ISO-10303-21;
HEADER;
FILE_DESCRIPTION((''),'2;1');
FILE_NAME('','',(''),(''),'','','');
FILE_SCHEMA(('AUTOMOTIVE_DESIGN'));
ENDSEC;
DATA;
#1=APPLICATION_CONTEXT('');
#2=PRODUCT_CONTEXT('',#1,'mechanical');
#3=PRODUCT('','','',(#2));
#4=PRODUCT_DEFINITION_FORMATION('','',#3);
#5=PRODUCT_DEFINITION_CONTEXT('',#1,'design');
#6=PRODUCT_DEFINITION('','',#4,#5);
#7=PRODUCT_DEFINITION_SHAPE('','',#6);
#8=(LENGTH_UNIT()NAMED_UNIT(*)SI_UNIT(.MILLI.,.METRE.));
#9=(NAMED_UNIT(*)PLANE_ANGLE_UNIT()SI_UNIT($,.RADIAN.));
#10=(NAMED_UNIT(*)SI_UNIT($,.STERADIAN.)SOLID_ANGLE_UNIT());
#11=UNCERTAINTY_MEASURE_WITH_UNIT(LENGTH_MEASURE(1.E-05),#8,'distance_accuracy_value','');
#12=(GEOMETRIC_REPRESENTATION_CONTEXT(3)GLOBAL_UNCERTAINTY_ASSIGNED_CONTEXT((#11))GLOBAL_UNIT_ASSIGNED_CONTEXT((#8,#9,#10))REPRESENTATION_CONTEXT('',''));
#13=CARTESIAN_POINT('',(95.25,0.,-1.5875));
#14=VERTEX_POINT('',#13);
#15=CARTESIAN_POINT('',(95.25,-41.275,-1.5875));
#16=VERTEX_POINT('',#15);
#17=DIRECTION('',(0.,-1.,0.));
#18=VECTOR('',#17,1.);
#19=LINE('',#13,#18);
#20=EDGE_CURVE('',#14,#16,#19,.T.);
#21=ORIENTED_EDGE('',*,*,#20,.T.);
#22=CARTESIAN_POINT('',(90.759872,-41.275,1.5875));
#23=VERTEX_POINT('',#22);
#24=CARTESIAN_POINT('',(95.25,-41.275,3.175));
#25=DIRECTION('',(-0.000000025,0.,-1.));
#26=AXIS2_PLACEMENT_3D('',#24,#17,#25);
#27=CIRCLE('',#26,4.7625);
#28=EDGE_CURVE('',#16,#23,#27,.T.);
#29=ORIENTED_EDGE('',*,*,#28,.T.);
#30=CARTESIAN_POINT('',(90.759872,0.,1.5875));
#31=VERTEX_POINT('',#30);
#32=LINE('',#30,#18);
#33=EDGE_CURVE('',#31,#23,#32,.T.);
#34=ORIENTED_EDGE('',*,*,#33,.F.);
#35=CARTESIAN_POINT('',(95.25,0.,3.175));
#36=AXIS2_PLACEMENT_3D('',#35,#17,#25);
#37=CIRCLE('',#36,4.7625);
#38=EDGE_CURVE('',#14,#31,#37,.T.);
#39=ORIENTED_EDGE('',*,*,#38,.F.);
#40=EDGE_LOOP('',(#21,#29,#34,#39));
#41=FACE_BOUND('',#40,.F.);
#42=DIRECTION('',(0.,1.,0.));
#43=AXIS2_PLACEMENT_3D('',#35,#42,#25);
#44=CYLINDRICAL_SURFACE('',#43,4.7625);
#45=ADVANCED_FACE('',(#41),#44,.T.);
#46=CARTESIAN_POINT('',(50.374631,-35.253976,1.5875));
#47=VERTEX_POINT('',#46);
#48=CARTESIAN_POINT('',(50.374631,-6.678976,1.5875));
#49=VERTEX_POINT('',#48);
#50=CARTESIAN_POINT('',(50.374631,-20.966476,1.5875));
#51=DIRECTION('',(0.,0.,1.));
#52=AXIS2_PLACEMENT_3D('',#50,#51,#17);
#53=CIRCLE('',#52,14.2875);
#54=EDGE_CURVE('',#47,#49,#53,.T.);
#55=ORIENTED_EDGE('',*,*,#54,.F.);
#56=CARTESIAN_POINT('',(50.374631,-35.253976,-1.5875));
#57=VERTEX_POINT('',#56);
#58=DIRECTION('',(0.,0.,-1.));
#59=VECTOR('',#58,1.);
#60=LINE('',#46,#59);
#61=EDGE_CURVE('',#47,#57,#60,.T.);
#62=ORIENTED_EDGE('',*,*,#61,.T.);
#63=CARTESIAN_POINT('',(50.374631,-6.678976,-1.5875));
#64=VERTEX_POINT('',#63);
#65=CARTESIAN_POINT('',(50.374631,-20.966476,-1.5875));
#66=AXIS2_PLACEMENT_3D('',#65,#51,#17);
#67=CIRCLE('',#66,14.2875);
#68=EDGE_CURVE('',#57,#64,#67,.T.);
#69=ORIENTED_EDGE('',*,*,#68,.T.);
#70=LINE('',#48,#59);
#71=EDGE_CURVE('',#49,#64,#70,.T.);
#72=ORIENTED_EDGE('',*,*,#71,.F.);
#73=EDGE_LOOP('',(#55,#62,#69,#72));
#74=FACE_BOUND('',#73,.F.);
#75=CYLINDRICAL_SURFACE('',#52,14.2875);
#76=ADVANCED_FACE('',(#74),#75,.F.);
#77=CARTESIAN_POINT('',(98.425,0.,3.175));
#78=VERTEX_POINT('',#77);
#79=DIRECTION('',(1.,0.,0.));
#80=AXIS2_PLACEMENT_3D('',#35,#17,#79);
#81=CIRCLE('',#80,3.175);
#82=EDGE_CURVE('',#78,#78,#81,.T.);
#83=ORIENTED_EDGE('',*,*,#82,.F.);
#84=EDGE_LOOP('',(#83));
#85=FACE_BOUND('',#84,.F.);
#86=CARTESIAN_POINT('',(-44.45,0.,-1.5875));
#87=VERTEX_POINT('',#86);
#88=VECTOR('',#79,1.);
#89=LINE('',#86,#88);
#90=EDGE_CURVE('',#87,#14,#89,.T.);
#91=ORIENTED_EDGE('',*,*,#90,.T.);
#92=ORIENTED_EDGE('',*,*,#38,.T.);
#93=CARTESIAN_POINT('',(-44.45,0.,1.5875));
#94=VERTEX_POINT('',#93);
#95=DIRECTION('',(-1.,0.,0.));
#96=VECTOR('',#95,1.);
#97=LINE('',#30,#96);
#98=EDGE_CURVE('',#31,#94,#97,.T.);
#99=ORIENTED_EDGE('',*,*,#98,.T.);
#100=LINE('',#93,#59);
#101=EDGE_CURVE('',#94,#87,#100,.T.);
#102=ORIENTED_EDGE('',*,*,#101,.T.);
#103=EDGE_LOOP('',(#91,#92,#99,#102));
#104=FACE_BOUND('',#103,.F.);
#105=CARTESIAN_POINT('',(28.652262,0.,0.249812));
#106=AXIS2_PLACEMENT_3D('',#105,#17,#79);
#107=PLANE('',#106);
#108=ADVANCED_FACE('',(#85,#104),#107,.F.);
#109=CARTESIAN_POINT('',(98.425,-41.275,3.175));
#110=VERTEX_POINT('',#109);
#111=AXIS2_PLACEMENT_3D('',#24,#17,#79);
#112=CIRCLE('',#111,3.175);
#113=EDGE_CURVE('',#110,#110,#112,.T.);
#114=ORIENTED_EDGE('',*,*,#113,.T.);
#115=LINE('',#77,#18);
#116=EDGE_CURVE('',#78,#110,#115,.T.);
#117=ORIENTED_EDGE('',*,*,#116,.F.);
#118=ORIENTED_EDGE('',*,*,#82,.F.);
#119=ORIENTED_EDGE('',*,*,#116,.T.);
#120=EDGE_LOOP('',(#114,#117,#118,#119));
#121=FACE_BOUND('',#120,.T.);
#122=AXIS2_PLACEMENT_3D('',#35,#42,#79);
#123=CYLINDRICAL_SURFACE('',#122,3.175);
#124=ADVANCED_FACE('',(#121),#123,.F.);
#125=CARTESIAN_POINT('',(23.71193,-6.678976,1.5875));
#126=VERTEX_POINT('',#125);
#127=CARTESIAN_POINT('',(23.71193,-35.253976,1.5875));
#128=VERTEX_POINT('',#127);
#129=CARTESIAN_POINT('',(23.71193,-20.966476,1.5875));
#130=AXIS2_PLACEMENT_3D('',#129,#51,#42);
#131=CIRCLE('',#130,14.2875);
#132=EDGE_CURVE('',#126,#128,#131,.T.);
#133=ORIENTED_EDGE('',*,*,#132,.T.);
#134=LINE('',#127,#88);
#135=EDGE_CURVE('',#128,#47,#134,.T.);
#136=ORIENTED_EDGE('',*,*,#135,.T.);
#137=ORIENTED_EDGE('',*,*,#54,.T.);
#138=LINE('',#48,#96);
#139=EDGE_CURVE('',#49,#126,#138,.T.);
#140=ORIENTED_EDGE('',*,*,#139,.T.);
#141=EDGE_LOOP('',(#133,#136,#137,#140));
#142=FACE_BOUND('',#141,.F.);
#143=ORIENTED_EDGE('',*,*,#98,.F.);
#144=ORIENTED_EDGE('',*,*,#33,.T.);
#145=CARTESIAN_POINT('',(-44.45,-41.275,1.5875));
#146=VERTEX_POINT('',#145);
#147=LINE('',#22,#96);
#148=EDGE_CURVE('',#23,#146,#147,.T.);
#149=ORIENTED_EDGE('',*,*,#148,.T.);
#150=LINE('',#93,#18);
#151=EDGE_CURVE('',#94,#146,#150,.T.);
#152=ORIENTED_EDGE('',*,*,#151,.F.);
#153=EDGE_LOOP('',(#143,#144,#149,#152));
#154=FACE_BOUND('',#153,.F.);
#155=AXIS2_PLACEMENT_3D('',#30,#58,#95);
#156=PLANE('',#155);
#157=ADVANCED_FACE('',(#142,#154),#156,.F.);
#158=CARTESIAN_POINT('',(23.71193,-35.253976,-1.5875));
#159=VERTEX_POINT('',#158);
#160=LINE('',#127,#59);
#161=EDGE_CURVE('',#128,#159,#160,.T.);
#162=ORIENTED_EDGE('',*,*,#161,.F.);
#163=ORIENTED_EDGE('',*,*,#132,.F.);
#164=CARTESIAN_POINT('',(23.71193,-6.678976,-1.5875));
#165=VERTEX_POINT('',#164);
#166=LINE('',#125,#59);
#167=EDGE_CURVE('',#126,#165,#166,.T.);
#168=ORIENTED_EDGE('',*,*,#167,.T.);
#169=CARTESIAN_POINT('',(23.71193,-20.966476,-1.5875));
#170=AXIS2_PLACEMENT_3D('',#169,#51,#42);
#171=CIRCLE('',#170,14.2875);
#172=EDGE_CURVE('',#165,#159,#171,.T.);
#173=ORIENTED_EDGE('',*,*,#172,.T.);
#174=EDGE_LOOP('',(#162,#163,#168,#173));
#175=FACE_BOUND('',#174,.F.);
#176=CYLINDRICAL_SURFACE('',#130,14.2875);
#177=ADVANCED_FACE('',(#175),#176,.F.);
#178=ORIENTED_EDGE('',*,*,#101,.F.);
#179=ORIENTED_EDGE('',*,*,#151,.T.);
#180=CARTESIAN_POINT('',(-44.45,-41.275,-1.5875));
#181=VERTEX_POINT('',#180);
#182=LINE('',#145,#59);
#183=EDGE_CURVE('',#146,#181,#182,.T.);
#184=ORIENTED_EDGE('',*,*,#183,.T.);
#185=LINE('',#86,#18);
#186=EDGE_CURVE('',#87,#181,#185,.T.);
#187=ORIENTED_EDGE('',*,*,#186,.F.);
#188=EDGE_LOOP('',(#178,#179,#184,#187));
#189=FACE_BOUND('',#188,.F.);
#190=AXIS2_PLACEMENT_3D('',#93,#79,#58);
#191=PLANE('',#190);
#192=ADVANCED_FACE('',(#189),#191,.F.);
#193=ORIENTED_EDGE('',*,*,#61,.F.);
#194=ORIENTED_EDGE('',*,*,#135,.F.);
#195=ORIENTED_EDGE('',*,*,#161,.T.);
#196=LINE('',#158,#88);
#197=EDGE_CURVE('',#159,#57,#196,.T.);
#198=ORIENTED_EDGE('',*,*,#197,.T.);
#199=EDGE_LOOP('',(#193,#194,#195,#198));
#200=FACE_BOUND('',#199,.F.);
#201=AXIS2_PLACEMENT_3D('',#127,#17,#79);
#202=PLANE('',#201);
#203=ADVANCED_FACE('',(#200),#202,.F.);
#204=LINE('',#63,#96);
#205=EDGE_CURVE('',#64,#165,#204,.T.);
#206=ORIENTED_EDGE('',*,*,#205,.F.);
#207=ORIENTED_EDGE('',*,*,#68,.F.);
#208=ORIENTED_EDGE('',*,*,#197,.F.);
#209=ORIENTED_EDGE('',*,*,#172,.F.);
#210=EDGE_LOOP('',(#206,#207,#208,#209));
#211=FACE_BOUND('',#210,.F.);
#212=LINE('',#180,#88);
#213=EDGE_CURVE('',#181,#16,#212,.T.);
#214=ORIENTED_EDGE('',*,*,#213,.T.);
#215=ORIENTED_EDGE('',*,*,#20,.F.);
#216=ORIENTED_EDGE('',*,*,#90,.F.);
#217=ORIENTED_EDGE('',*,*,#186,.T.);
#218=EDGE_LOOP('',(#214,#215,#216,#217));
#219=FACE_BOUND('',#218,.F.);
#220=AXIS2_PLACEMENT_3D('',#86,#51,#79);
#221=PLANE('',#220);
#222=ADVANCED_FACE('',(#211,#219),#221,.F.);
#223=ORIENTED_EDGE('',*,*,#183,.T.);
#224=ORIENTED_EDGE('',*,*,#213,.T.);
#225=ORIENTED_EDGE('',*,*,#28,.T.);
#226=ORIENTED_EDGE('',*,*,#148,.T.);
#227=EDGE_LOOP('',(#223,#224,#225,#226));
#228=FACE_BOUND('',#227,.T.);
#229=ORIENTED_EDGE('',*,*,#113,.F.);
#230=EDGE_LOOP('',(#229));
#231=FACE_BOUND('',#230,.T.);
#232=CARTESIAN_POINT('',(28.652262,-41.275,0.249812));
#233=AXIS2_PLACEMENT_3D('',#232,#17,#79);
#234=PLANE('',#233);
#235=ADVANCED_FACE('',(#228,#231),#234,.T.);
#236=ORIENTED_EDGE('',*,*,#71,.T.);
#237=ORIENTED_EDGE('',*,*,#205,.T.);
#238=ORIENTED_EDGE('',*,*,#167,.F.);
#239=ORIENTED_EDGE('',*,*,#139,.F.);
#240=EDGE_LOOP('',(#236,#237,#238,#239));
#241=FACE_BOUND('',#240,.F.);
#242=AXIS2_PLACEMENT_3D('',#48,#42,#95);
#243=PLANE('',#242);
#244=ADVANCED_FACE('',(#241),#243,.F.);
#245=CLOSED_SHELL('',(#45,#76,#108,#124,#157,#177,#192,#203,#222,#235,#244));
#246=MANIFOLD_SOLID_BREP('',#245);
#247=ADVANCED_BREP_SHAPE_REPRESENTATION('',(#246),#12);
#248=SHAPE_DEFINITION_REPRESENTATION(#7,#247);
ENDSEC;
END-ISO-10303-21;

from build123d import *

# Parameters (mm, degrees)
F0_R     = 3.175
F1_DEPTH = 41.275
F3_DEPTH = 3.175


with BuildPart() as f1:
    # F0 (on Front) → F1 (new body)
    with BuildSketch(Plane.XZ):
        with BuildLine():
            Line((-44.45, -1.5875), (95.25, -1.5875))
            ThreePointArc((95.25, -1.5875), (97.999631, 7.063565), (90.759872, 1.5875))
            Line((90.759872, 1.5875), (-44.45, 1.5875))
            Line((-44.45, 1.5875), (-44.45, -1.5875))
        make_face()
        with Locations((95.25, 3.175)):
            Circle(F0_R, mode=Mode.SUBTRACT)
    extrude(amount=F1_DEPTH)

    # F2 (on face) → F3 (cut, through all)
    with BuildSketch(Plane.XY.offset(1.5875)):
        with BuildLine():
            Line((23.71193, -35.253976), (50.374631, -35.253976))
            ThreePointArc((50.374631, -35.253976), (64.662131, -20.966476), (50.374631, -6.678976))
            Line((50.374631, -6.678976), (23.71193, -6.678976))
            ThreePointArc((23.71193, -6.678976), (9.42443, -20.966476), (23.71193, -35.253976))
        make_face()
    extrude(amount=-F3_DEPTH, mode=Mode.SUBTRACT)


solid = f1.part
